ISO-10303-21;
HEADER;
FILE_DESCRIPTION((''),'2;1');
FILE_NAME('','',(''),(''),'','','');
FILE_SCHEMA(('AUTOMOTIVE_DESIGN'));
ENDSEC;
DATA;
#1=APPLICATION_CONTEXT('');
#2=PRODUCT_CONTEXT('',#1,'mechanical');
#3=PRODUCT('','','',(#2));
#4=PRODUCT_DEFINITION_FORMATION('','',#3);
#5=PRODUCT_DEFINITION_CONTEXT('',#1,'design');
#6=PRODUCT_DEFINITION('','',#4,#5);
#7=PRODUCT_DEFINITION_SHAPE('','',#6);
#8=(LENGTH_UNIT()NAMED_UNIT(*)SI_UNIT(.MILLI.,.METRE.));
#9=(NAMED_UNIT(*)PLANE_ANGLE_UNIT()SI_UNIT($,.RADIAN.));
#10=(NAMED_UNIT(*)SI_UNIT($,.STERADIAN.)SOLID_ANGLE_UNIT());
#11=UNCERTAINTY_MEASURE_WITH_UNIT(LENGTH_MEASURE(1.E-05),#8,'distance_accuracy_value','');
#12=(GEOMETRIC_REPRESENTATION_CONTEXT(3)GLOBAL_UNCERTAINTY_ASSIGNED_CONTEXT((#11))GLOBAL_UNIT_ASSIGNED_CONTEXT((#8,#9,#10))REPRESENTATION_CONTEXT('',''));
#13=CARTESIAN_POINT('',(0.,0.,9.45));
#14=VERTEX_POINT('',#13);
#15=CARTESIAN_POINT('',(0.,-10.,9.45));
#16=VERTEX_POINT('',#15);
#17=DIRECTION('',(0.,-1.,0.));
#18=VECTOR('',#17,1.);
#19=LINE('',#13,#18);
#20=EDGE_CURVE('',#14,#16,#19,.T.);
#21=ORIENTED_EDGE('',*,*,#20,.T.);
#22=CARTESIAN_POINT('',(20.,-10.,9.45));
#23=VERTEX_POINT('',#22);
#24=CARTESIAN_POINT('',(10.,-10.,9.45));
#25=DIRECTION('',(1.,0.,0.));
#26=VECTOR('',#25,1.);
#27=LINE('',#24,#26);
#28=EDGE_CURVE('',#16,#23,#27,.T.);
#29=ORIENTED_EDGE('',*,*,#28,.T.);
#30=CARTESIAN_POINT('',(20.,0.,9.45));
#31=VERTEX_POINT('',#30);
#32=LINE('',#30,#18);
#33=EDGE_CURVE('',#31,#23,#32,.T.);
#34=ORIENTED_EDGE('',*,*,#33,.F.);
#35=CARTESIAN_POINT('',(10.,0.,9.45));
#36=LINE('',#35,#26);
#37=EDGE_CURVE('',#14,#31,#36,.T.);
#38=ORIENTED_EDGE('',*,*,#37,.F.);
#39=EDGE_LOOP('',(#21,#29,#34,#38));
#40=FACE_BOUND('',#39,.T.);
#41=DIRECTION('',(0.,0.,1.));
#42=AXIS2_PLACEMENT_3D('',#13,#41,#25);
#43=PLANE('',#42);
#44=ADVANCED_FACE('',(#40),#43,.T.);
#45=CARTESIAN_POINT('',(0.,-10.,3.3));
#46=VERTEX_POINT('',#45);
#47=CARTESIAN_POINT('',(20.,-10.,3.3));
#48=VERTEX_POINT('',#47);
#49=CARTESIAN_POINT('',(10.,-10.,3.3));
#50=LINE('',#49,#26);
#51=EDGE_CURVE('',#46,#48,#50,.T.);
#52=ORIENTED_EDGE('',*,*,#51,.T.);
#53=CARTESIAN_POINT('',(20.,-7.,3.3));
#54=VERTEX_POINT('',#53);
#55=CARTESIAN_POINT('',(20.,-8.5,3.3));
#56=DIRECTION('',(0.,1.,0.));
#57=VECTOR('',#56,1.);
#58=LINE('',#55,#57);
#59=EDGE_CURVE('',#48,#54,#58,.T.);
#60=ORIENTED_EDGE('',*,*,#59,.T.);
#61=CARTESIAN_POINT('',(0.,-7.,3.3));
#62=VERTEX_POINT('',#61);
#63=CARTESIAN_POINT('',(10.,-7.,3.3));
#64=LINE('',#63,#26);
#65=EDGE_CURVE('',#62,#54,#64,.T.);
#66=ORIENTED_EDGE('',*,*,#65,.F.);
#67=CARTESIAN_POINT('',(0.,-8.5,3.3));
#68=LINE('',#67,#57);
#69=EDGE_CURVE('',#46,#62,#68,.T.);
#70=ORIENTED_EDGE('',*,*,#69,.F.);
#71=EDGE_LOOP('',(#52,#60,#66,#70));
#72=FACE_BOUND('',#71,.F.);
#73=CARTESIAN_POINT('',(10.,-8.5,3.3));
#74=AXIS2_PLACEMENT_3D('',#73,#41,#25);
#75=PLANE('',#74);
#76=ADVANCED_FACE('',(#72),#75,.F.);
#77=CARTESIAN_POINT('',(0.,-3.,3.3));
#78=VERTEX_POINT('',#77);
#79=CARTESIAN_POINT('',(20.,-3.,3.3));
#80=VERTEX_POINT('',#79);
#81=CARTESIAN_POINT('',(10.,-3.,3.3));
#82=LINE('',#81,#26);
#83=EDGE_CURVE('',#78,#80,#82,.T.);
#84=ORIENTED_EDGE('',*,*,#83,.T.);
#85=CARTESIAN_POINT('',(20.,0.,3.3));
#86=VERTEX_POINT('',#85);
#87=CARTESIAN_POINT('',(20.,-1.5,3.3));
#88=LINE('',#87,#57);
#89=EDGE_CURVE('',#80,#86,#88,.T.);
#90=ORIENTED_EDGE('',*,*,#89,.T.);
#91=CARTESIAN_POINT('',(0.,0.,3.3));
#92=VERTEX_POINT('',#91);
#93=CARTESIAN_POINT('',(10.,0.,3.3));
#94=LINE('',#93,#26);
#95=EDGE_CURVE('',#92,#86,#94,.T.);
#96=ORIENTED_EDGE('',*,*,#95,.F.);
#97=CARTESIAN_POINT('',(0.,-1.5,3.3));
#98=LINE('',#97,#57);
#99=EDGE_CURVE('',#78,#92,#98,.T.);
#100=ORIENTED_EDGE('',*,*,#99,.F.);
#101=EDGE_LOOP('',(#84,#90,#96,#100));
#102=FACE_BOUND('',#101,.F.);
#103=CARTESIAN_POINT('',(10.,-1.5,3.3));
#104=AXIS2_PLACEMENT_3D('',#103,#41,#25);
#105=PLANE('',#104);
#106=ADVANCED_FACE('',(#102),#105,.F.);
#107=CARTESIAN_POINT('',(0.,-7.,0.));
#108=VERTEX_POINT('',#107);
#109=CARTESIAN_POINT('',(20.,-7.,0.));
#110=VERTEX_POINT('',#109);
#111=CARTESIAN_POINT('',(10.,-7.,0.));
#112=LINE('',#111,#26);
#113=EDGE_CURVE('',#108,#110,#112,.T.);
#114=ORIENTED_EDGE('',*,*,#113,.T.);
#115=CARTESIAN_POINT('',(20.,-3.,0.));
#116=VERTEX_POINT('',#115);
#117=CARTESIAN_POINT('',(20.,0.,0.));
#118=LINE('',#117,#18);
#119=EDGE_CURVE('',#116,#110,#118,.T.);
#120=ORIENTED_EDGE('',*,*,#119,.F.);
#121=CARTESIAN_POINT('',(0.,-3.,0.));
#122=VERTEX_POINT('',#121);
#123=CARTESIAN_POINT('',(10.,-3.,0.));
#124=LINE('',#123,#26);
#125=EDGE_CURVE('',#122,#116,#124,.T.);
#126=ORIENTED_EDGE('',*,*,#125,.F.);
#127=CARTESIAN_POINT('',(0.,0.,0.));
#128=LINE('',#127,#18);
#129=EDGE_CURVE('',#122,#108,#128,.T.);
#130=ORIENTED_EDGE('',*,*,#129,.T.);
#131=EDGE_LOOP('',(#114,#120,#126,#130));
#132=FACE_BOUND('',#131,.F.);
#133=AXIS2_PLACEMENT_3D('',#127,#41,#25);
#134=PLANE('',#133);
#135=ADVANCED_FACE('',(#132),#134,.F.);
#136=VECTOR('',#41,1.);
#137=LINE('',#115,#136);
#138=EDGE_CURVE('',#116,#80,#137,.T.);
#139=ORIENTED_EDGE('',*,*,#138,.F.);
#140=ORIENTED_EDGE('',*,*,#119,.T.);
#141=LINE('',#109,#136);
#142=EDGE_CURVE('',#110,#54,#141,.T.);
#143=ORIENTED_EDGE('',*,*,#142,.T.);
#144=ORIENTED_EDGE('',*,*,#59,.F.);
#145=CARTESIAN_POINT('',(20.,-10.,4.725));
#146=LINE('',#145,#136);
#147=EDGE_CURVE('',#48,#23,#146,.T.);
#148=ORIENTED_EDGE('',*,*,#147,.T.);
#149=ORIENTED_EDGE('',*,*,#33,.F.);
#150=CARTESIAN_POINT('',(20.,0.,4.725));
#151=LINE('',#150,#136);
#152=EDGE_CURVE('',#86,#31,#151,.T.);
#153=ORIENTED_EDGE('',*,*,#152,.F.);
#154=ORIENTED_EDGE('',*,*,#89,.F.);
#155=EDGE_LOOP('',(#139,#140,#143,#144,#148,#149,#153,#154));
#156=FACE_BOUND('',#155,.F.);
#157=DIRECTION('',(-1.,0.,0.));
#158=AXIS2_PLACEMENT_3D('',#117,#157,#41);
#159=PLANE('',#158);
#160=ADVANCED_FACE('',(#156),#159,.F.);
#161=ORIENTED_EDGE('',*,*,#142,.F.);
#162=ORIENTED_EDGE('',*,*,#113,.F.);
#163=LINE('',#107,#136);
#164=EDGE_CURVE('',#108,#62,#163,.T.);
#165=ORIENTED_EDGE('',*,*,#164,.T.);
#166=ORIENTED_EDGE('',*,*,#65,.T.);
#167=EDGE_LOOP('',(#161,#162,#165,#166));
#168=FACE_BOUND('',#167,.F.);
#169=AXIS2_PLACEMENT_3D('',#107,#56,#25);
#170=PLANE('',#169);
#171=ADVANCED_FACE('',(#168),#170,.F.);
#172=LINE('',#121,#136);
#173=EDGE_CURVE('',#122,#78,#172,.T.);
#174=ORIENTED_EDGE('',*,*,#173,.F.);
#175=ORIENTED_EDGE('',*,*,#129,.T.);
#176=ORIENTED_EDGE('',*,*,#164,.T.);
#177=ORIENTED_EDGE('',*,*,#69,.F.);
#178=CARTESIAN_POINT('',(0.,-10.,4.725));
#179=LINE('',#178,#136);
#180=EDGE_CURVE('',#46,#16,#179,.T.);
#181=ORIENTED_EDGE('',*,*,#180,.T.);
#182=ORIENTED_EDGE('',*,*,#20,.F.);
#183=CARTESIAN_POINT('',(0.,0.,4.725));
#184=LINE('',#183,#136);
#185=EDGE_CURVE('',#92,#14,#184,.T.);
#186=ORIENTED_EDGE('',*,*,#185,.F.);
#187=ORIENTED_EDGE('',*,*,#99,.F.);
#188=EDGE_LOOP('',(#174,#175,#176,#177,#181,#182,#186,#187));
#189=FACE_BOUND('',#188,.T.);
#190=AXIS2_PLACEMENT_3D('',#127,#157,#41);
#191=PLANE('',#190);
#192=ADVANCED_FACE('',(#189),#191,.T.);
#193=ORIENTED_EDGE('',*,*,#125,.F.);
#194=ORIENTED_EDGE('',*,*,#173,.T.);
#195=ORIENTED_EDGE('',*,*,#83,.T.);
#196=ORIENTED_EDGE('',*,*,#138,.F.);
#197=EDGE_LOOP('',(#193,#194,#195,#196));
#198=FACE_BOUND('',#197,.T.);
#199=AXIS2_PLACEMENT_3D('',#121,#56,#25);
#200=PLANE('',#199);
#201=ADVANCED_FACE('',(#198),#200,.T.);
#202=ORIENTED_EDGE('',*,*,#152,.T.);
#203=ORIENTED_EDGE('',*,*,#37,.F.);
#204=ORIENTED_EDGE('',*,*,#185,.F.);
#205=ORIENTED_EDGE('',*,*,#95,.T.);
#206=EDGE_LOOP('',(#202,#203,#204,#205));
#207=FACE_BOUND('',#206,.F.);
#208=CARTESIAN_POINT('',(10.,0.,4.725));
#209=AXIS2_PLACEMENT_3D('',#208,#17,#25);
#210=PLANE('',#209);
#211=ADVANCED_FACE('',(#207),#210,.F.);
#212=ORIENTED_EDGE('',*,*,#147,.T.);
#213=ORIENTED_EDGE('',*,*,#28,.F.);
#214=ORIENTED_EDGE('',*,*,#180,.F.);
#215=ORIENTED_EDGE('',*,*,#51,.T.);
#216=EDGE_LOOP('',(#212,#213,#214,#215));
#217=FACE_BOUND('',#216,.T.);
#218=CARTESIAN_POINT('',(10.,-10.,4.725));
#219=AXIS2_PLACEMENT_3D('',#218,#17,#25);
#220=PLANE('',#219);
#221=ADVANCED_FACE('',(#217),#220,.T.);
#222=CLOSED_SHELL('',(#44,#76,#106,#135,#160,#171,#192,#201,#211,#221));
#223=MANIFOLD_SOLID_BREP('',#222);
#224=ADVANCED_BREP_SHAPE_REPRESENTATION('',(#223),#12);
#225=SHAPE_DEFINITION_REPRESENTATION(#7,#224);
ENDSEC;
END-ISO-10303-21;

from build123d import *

# Parameters (mm, degrees)
F0_W     = 20
F0_H     = 9.45
F1_DEPTH = 10
F2_W     = 20
F2_H     = 3
F3_DEPTH = 3.3


with BuildPart() as f1:
    # F0 (on Front) → F1 (new body)
    with BuildSketch(Plane.XZ):
        with Locations((10, 4.725)):
            Rectangle(F0_W, F0_H)
    extrude(amount=F1_DEPTH)

    # F2 (on Top) → F3 (cut)
    with BuildSketch(Plane.XY):
        with Locations((10, -8.5)):
            Rectangle(F2_W, F2_H)
        with Locations((10, -1.5)):
            Rectangle(F2_W, F2_H)
    extrude(amount=F3_DEPTH, mode=Mode.SUBTRACT)


solid = f1.part
